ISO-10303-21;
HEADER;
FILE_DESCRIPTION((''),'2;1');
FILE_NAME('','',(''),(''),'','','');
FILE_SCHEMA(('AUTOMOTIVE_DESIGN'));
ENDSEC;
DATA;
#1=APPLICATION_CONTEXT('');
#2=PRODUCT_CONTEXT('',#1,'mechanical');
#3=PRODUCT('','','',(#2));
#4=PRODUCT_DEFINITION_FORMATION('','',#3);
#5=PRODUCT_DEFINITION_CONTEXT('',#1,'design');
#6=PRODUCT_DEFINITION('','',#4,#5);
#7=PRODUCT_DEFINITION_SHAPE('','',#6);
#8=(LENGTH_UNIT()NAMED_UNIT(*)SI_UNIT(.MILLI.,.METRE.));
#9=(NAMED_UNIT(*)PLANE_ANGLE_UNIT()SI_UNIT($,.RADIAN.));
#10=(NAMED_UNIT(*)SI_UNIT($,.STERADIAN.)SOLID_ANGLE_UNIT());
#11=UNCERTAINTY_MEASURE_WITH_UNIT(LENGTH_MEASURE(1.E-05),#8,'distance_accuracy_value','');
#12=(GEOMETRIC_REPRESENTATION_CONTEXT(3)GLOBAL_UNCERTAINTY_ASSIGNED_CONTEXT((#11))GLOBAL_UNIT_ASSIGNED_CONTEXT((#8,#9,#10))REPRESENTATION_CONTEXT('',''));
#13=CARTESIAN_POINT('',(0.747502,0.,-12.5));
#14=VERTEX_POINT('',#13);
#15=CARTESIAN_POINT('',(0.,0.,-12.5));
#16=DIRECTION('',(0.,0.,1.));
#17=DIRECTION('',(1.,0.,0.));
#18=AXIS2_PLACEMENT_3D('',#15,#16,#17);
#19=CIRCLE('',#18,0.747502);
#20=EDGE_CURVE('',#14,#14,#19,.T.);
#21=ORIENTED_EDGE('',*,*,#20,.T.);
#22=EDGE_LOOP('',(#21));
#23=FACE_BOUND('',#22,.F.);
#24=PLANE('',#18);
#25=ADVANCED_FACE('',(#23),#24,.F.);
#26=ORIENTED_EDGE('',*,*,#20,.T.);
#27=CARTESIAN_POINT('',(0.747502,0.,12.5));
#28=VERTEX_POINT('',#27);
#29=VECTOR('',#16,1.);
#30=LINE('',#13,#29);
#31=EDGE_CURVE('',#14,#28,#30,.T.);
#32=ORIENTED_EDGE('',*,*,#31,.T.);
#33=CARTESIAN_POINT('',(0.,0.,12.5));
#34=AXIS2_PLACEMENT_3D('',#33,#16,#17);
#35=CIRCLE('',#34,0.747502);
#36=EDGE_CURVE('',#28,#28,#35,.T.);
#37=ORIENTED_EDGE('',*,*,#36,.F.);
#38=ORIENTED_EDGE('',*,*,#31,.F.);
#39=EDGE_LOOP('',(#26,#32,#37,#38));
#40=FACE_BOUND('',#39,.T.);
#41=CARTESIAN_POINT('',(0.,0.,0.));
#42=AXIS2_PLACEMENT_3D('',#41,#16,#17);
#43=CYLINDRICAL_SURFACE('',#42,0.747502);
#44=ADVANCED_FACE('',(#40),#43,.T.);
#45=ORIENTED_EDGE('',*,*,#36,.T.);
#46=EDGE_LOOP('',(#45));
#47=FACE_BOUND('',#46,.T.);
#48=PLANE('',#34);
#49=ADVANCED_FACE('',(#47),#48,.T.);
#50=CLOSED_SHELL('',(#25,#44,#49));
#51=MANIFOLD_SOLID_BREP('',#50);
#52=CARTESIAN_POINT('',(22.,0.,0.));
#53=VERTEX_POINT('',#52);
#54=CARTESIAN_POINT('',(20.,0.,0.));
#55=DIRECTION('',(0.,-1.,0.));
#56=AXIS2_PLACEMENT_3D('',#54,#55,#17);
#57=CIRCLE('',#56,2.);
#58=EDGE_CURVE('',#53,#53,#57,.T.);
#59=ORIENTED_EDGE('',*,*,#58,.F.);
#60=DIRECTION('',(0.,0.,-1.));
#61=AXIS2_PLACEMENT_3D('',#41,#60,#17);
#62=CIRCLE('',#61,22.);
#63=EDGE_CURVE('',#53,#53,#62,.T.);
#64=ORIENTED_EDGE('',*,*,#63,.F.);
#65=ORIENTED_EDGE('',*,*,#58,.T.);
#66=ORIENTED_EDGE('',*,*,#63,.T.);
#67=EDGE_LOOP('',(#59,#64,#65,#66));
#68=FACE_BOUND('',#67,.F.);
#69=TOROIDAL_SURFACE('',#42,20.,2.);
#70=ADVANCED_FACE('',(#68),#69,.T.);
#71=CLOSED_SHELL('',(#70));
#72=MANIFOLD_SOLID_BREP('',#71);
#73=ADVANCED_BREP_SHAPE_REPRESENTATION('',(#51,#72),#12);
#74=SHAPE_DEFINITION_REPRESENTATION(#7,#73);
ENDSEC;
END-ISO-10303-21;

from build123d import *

# Parameters (mm, degrees)
F0_R     = 2
F2_R     = 0.747502
F3_DEPTH = 12.5


with BuildPart() as f1:
    # F0 (on Front) → F1 (revolve)
    with BuildSketch(Plane.XZ):
        with Locations((20, 0)):
            Circle(F0_R)
    revolve(axis=Axis((0, 0, -12.6), (0, 0, -1)))


with BuildPart() as f3:
    # F2 (on Top) → F3 (new body, symmetric)
    with BuildSketch(Plane.XY):
        Circle(F2_R)
    extrude(amount=F3_DEPTH, both=True)


solid = Compound([f1.part, f3.part])
